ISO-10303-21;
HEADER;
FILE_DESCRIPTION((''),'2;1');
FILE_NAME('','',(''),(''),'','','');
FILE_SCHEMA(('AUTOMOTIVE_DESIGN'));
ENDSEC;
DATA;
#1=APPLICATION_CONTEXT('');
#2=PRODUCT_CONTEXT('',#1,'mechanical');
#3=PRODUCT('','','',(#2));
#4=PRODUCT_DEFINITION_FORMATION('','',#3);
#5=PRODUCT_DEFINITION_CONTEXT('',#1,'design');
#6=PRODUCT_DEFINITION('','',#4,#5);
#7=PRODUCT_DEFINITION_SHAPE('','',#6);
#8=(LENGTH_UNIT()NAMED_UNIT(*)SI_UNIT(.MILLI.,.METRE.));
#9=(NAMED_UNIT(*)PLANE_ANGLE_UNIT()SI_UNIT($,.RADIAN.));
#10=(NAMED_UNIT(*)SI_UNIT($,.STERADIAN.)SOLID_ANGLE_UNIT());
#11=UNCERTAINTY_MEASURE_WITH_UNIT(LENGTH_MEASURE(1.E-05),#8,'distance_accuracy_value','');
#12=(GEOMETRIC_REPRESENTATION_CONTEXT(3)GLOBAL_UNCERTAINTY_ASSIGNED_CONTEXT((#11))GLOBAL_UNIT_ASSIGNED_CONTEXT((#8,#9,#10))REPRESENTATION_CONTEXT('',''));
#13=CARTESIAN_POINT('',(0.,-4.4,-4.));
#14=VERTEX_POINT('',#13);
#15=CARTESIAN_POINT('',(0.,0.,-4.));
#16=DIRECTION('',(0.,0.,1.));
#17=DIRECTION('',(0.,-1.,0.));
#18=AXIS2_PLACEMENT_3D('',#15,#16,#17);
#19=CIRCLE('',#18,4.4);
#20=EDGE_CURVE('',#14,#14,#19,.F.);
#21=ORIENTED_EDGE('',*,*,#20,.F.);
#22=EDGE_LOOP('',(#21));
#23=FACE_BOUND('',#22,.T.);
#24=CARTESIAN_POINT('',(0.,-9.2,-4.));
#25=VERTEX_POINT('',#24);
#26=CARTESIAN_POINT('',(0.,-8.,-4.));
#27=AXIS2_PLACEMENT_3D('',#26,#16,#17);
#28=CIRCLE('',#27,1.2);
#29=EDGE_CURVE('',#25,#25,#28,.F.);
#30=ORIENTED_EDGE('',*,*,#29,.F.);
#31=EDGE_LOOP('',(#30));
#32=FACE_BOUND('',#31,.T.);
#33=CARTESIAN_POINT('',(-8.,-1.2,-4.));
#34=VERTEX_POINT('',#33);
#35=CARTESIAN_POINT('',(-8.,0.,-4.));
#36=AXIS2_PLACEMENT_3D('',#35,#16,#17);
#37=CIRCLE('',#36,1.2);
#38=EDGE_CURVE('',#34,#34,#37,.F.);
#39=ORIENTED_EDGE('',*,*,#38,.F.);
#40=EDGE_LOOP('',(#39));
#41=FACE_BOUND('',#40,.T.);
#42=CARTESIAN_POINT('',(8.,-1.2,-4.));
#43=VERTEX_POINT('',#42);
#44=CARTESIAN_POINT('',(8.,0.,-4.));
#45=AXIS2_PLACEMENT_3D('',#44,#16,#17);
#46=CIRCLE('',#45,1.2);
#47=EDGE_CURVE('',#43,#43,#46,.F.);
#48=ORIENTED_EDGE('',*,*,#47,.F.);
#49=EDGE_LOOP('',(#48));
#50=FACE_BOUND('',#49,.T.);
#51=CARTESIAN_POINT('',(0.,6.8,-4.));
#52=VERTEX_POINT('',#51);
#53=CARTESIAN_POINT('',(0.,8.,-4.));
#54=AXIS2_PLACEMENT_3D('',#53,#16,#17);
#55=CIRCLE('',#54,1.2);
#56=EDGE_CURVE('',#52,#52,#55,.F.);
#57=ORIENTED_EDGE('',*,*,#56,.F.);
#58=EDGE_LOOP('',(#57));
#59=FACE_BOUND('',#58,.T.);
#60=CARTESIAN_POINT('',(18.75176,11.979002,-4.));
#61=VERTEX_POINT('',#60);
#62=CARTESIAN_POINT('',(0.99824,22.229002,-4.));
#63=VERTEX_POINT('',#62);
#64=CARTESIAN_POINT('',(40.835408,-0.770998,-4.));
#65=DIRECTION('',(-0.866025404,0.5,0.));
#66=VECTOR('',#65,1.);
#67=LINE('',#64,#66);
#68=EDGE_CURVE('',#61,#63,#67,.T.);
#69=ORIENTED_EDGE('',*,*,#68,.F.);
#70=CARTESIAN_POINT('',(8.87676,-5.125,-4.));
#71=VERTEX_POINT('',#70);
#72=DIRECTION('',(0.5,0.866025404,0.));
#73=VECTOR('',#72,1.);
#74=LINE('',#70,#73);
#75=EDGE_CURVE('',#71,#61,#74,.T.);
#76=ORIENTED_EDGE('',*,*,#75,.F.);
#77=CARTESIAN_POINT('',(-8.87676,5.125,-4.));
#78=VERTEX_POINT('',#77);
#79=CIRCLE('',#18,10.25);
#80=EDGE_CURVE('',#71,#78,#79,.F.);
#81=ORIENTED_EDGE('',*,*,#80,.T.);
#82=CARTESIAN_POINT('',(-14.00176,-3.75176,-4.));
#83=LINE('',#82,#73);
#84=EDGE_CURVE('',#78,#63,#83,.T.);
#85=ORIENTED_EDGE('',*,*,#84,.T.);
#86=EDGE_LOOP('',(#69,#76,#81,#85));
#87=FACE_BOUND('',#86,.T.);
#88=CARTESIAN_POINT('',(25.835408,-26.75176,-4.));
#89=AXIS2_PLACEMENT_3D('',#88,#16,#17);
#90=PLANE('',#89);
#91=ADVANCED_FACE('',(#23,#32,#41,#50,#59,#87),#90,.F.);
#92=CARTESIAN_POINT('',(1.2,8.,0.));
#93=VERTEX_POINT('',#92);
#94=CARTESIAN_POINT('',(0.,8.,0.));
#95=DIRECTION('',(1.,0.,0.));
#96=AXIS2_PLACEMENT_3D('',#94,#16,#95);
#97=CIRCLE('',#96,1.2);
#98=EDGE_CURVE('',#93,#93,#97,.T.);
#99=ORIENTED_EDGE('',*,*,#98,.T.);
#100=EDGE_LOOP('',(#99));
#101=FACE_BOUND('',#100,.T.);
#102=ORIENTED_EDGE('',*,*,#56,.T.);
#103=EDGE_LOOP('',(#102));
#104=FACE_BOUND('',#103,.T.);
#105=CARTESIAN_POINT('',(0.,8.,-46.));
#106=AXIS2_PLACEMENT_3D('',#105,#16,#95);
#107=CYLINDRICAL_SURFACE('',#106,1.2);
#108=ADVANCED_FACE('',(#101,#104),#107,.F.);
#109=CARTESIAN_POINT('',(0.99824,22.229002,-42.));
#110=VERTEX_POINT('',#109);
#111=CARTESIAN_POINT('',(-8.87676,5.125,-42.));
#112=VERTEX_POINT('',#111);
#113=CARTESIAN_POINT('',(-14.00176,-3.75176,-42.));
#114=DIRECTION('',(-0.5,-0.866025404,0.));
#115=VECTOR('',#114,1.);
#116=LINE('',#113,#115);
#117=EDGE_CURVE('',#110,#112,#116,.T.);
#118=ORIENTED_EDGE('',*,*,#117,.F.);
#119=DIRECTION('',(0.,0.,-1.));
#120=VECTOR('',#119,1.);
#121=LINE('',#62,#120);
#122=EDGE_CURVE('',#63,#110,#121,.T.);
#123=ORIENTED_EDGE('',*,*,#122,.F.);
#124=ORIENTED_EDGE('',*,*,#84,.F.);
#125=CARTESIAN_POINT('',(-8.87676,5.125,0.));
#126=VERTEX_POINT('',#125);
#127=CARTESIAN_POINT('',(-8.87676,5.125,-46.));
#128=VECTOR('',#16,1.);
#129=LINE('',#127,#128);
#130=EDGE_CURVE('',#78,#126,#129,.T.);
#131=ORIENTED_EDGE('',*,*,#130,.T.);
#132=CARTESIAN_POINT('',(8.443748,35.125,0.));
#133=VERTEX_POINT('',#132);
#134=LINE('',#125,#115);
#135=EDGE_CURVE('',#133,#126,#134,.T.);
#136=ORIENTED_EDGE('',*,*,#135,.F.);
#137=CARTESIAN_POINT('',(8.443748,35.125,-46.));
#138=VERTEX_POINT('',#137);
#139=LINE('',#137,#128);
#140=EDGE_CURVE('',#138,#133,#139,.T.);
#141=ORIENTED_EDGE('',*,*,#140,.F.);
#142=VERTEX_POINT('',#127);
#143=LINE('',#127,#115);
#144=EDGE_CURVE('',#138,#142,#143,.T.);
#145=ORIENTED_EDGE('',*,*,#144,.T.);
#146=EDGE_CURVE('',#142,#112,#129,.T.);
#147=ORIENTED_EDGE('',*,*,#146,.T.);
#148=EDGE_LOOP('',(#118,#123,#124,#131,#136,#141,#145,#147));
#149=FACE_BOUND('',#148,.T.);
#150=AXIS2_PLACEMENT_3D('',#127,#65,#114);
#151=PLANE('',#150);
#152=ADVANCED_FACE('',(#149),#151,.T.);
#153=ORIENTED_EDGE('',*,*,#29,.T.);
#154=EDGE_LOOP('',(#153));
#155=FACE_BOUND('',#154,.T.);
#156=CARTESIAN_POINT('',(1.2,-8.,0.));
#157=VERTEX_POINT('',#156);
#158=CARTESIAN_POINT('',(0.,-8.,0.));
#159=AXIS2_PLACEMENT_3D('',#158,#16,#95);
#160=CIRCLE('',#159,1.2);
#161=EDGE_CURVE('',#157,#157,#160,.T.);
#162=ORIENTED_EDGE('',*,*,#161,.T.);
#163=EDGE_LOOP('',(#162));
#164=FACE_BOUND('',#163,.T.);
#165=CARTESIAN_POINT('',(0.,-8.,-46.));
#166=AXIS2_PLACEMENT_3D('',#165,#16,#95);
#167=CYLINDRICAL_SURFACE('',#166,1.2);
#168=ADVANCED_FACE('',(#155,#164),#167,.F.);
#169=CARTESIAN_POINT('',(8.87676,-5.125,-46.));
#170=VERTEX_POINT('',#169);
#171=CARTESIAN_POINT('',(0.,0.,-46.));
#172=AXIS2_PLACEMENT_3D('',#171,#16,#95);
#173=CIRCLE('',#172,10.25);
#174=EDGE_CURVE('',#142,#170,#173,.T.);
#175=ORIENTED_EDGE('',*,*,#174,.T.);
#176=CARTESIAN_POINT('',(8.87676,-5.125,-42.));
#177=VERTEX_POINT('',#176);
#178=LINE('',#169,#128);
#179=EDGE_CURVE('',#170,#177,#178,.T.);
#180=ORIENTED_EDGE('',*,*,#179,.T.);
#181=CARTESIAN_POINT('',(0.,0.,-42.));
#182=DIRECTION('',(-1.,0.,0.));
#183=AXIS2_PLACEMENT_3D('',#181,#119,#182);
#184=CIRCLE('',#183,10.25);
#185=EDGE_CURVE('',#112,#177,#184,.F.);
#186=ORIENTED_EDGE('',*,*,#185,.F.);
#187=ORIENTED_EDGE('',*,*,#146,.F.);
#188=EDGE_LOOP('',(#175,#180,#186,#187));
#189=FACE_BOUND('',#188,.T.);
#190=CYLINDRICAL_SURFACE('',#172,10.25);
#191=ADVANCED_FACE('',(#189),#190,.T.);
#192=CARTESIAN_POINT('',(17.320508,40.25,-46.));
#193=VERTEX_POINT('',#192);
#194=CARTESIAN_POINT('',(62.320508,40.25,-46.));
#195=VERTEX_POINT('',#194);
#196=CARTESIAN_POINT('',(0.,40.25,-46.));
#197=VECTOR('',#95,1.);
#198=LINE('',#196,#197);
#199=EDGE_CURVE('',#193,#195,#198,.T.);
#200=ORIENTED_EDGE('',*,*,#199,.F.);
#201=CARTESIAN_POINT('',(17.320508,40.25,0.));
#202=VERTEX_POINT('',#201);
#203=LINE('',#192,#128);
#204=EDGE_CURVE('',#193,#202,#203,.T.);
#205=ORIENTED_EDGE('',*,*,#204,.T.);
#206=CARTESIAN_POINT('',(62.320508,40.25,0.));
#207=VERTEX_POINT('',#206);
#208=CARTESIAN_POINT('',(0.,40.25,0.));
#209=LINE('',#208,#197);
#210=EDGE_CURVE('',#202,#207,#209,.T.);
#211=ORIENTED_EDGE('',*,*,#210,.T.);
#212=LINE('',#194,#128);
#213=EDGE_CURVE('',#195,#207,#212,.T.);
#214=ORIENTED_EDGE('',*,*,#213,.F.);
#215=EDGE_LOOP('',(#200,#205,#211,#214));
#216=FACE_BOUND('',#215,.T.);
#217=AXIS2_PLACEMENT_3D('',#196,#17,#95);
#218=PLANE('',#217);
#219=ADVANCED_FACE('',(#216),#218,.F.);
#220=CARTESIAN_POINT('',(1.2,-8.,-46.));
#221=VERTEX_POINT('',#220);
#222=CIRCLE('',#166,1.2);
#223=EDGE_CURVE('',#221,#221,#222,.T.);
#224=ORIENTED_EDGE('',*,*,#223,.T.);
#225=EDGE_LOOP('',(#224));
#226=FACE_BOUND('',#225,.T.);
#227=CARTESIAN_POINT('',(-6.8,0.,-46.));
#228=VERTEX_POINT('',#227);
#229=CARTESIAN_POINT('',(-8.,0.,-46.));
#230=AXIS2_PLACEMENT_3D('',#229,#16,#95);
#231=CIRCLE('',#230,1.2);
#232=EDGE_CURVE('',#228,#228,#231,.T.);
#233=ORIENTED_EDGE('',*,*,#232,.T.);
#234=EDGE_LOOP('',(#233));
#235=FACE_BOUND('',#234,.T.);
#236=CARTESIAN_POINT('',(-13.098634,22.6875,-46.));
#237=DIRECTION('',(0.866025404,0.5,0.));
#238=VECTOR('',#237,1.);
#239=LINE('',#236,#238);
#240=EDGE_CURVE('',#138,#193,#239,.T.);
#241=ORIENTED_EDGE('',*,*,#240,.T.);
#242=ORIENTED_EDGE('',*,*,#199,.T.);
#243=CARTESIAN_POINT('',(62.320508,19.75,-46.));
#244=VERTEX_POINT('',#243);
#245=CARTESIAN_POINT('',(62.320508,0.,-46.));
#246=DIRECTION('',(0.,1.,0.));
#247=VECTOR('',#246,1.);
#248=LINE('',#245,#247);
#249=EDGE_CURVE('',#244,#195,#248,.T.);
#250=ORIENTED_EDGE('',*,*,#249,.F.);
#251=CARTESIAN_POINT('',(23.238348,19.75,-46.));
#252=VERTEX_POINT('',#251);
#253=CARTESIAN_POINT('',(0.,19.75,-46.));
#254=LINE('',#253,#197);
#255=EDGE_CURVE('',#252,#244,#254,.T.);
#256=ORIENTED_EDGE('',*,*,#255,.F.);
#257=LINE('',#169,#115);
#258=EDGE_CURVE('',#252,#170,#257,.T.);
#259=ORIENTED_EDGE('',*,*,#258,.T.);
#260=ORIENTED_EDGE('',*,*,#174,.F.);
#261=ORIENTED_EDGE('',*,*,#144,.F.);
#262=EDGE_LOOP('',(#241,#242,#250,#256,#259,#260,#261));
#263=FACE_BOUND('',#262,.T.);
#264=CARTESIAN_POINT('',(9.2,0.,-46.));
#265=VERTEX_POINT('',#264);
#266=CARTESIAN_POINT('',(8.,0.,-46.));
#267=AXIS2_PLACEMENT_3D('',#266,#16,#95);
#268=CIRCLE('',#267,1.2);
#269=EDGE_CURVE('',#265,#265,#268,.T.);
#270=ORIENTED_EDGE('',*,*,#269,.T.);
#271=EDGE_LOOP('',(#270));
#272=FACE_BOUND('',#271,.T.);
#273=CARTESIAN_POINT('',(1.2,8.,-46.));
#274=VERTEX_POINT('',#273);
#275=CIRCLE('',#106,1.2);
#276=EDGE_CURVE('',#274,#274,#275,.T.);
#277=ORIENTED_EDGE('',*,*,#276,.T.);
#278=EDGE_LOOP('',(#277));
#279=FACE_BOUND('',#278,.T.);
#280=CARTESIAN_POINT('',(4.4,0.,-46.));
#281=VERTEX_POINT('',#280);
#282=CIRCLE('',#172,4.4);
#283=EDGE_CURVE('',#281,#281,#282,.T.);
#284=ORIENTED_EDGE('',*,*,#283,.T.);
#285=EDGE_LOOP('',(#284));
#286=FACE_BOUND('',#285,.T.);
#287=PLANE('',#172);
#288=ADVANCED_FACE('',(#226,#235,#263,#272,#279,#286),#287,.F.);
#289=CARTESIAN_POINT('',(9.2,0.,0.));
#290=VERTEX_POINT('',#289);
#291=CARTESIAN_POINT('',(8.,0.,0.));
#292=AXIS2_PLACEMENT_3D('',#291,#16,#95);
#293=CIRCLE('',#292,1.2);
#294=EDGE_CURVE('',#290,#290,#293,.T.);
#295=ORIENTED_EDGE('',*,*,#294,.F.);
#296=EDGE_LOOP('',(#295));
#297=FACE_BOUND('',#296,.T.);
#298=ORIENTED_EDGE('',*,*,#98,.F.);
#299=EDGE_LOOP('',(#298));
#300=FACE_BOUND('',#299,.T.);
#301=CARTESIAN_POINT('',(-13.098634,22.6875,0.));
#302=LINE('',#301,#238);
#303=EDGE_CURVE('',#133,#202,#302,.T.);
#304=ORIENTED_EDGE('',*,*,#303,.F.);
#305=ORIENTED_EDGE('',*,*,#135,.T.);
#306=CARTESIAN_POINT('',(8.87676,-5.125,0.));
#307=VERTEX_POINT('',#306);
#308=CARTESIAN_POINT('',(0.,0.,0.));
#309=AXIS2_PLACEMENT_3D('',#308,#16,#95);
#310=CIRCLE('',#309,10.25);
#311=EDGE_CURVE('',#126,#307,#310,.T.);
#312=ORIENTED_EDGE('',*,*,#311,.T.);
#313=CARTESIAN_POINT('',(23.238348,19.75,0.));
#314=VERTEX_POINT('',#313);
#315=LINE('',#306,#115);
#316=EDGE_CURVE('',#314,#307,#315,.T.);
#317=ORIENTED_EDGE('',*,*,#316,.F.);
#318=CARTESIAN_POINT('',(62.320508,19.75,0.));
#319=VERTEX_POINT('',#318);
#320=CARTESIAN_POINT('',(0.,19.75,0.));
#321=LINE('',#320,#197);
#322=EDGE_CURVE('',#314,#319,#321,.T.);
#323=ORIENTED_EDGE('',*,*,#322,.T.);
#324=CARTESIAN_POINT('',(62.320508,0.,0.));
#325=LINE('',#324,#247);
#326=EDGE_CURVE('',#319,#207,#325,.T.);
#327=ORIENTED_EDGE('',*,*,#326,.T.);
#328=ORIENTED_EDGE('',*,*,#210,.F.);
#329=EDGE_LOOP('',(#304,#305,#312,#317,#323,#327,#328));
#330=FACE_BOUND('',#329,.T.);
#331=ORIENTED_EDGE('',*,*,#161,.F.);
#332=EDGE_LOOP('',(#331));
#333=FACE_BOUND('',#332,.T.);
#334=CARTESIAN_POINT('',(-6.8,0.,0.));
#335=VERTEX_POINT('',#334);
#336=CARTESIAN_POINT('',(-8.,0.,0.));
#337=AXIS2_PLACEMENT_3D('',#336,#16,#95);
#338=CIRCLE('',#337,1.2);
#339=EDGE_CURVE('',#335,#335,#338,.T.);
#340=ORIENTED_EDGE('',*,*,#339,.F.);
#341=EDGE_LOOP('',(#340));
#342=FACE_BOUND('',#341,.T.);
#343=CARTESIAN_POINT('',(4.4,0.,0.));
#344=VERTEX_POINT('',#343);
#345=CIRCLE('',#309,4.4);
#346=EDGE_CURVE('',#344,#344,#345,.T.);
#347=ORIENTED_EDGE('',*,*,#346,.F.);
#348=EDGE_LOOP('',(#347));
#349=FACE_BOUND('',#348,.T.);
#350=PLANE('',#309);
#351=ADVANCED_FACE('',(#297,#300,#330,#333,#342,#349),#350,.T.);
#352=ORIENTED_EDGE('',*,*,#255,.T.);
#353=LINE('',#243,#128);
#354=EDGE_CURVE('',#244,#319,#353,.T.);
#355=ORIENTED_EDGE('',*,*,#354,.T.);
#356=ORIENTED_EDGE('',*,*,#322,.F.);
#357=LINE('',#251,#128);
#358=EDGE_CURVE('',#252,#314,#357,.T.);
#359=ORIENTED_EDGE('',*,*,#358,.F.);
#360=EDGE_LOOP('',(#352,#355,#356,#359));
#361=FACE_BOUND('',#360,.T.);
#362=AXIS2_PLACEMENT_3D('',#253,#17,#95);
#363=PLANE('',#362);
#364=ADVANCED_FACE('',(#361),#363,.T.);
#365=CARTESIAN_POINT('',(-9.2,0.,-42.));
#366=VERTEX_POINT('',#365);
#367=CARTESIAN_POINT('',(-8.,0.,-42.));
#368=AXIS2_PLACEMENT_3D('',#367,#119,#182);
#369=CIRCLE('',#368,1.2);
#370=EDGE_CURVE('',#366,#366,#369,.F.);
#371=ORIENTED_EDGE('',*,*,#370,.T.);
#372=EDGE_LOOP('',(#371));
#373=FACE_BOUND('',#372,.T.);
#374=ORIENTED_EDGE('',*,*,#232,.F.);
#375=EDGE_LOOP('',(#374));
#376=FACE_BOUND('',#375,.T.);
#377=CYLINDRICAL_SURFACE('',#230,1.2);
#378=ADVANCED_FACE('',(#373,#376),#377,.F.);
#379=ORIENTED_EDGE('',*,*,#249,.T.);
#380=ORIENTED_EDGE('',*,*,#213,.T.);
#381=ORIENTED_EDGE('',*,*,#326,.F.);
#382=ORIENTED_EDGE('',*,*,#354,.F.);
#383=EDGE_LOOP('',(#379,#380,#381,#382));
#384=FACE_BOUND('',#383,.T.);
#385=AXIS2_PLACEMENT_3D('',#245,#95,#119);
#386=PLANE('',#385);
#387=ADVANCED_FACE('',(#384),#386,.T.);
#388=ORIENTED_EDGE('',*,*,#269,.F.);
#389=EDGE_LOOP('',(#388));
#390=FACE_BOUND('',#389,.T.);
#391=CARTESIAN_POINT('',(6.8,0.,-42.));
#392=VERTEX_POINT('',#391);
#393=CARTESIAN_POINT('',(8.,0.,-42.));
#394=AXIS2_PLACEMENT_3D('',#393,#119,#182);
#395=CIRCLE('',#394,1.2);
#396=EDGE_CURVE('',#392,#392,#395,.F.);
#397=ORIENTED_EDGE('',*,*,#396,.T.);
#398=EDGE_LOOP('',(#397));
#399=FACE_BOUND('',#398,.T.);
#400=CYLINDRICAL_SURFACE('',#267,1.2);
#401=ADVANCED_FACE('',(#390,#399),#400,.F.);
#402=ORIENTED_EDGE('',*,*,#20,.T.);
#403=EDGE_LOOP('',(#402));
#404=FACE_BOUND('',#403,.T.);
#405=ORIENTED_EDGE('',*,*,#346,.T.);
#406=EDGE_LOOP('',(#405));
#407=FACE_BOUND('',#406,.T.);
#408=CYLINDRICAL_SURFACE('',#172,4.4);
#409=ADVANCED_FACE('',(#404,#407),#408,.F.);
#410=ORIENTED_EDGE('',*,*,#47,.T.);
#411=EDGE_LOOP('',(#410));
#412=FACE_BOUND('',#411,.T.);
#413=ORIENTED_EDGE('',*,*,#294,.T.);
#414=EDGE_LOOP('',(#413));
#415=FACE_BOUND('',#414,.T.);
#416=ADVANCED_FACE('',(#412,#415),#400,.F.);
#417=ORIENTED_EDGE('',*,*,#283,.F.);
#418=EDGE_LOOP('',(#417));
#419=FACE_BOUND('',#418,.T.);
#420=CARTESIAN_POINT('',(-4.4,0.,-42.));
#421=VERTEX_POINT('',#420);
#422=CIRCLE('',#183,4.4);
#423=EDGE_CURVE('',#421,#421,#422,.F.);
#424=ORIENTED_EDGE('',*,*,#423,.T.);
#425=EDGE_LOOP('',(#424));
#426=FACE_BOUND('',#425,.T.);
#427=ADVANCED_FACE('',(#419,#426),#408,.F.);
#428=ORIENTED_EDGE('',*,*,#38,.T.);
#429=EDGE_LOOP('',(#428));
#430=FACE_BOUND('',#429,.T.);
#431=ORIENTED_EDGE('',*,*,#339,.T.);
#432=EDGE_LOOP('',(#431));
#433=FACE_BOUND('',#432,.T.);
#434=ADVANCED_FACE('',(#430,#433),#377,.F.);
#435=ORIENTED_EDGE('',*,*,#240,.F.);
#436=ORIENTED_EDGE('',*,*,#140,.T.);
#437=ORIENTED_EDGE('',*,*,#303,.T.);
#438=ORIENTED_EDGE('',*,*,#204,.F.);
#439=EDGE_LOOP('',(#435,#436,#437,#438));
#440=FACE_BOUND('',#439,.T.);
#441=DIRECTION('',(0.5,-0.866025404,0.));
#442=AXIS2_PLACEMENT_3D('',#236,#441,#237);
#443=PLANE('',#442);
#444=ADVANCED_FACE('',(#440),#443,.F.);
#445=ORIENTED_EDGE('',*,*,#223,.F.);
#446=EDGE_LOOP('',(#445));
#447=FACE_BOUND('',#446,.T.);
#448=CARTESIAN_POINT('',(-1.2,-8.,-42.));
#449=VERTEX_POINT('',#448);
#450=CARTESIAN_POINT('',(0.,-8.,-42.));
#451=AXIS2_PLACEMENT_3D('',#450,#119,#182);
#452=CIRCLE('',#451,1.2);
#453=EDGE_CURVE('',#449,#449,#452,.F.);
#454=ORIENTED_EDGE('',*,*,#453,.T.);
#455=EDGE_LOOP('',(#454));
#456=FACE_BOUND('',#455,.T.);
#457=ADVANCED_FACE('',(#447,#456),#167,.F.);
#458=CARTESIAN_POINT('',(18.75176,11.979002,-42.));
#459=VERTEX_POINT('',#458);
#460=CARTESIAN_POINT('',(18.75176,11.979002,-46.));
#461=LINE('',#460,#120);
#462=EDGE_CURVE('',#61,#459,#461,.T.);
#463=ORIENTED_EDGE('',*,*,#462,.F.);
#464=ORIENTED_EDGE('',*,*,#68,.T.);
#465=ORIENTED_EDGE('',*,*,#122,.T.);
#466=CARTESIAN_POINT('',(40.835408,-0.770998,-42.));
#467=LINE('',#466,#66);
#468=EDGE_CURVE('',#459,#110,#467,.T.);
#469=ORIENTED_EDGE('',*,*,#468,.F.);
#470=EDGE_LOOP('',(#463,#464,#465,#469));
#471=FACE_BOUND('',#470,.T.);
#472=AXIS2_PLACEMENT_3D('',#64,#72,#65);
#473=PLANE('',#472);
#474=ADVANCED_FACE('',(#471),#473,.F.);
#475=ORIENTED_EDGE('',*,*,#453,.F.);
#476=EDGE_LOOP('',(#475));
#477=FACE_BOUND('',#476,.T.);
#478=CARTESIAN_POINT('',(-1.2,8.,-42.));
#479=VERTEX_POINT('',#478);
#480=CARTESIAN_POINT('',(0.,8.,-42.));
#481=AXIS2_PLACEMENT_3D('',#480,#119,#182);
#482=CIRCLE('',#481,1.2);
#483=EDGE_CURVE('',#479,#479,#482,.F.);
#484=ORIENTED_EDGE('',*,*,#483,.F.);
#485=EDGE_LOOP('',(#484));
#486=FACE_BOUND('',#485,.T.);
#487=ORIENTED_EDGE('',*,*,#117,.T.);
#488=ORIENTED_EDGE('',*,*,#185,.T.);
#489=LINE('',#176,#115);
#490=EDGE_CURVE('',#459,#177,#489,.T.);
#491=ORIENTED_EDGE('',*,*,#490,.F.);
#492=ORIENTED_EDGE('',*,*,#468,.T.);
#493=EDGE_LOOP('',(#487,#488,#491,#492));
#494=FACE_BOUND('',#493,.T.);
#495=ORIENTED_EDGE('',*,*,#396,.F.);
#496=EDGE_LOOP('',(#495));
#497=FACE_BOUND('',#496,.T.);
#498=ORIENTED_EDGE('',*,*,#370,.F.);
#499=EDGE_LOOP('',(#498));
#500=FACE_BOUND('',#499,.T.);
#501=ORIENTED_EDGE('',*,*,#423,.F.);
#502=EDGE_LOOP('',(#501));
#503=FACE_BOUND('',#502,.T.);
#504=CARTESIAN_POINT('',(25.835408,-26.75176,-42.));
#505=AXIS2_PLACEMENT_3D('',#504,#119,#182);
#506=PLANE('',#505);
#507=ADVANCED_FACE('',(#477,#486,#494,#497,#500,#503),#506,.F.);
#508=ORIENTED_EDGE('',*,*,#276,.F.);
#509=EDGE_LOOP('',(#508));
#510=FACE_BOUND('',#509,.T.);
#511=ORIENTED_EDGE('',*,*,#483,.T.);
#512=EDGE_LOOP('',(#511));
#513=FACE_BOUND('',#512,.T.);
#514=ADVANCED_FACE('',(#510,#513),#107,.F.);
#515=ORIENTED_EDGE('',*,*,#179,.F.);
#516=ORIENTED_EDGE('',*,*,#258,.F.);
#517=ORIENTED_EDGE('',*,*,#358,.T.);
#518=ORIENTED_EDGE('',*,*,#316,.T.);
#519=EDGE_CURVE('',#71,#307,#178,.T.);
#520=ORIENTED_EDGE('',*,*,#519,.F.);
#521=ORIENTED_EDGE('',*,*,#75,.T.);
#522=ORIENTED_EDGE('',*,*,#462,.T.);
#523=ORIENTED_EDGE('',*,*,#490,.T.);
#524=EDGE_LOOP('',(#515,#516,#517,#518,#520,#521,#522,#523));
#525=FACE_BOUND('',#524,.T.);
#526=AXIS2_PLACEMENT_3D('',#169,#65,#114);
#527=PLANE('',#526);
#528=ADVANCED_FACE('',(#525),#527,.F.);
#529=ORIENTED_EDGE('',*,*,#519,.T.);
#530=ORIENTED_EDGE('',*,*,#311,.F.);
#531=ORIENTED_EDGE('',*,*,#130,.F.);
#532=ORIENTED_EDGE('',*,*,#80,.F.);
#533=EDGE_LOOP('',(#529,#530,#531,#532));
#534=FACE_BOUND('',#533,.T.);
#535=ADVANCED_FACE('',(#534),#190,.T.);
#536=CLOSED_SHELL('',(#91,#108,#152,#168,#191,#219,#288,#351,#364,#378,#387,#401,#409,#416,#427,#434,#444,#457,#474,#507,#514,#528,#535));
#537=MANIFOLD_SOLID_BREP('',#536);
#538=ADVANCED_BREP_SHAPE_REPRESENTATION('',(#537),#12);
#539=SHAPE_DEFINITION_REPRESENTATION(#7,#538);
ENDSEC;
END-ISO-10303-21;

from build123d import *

# Parameters (mm, degrees)
SKETCH1_R           = 1.2
SKETCH1_R_2         = 4.4
BOSS_EXTRUDE1_DEPTH = 46
SKETCH4_W           = 38
SKETCH4_H           = 30
CUT_EXTRUDE1_DEPTH  = 46


with BuildPart() as part:
    # Sketch1 → Boss-Extrude1 (new body)
    with BuildSketch(Plane.XY):
        with BuildLine():
            Line((8.443747687, 35.125), (-8.876760389, 5.125))
            ThreePointArc((-8.876760389, 5.125), (-5.125, -8.876760389), (8.876760389, -5.125))
            Line((8.876760389, -5.125), (23.238348335, 19.75))
            Line((23.238348335, 19.75), (62.320508076, 19.75))
            Line((62.320508076, 19.75), (62.320508076, 40.25))
            Line((62.320508076, 40.25), (17.320508076, 40.25))
            Line((17.320508076, 40.25), (8.443747687, 35.125))
        make_face()
        with Locations((0, -8)):
            Circle(SKETCH1_R, mode=Mode.SUBTRACT)
        Circle(SKETCH1_R_2, mode=Mode.SUBTRACT)
        with Locations((8, 0)):
            Circle(SKETCH1_R, mode=Mode.SUBTRACT)
        with Locations((-8, 0)):
            Circle(SKETCH1_R, mode=Mode.SUBTRACT)
        with Locations((0, 8)):
            Circle(SKETCH1_R, mode=Mode.SUBTRACT)
    extrude(amount=-BOSS_EXTRUDE1_DEPTH)

    # Sketch4 → Cut-Extrude1 (cut)
    with BuildSketch(Plane(origin=(-8.876760389, 5.125, 0), x_dir=(0, 0, 1), z_dir=(-0.8660254037844382, 0.5000000000000009, 0))):
        with Locations((-23, 4.75)):
            Rectangle(SKETCH4_W, SKETCH4_H)
    extrude(amount=-CUT_EXTRUDE1_DEPTH, mode=Mode.SUBTRACT)


solid = part.part
